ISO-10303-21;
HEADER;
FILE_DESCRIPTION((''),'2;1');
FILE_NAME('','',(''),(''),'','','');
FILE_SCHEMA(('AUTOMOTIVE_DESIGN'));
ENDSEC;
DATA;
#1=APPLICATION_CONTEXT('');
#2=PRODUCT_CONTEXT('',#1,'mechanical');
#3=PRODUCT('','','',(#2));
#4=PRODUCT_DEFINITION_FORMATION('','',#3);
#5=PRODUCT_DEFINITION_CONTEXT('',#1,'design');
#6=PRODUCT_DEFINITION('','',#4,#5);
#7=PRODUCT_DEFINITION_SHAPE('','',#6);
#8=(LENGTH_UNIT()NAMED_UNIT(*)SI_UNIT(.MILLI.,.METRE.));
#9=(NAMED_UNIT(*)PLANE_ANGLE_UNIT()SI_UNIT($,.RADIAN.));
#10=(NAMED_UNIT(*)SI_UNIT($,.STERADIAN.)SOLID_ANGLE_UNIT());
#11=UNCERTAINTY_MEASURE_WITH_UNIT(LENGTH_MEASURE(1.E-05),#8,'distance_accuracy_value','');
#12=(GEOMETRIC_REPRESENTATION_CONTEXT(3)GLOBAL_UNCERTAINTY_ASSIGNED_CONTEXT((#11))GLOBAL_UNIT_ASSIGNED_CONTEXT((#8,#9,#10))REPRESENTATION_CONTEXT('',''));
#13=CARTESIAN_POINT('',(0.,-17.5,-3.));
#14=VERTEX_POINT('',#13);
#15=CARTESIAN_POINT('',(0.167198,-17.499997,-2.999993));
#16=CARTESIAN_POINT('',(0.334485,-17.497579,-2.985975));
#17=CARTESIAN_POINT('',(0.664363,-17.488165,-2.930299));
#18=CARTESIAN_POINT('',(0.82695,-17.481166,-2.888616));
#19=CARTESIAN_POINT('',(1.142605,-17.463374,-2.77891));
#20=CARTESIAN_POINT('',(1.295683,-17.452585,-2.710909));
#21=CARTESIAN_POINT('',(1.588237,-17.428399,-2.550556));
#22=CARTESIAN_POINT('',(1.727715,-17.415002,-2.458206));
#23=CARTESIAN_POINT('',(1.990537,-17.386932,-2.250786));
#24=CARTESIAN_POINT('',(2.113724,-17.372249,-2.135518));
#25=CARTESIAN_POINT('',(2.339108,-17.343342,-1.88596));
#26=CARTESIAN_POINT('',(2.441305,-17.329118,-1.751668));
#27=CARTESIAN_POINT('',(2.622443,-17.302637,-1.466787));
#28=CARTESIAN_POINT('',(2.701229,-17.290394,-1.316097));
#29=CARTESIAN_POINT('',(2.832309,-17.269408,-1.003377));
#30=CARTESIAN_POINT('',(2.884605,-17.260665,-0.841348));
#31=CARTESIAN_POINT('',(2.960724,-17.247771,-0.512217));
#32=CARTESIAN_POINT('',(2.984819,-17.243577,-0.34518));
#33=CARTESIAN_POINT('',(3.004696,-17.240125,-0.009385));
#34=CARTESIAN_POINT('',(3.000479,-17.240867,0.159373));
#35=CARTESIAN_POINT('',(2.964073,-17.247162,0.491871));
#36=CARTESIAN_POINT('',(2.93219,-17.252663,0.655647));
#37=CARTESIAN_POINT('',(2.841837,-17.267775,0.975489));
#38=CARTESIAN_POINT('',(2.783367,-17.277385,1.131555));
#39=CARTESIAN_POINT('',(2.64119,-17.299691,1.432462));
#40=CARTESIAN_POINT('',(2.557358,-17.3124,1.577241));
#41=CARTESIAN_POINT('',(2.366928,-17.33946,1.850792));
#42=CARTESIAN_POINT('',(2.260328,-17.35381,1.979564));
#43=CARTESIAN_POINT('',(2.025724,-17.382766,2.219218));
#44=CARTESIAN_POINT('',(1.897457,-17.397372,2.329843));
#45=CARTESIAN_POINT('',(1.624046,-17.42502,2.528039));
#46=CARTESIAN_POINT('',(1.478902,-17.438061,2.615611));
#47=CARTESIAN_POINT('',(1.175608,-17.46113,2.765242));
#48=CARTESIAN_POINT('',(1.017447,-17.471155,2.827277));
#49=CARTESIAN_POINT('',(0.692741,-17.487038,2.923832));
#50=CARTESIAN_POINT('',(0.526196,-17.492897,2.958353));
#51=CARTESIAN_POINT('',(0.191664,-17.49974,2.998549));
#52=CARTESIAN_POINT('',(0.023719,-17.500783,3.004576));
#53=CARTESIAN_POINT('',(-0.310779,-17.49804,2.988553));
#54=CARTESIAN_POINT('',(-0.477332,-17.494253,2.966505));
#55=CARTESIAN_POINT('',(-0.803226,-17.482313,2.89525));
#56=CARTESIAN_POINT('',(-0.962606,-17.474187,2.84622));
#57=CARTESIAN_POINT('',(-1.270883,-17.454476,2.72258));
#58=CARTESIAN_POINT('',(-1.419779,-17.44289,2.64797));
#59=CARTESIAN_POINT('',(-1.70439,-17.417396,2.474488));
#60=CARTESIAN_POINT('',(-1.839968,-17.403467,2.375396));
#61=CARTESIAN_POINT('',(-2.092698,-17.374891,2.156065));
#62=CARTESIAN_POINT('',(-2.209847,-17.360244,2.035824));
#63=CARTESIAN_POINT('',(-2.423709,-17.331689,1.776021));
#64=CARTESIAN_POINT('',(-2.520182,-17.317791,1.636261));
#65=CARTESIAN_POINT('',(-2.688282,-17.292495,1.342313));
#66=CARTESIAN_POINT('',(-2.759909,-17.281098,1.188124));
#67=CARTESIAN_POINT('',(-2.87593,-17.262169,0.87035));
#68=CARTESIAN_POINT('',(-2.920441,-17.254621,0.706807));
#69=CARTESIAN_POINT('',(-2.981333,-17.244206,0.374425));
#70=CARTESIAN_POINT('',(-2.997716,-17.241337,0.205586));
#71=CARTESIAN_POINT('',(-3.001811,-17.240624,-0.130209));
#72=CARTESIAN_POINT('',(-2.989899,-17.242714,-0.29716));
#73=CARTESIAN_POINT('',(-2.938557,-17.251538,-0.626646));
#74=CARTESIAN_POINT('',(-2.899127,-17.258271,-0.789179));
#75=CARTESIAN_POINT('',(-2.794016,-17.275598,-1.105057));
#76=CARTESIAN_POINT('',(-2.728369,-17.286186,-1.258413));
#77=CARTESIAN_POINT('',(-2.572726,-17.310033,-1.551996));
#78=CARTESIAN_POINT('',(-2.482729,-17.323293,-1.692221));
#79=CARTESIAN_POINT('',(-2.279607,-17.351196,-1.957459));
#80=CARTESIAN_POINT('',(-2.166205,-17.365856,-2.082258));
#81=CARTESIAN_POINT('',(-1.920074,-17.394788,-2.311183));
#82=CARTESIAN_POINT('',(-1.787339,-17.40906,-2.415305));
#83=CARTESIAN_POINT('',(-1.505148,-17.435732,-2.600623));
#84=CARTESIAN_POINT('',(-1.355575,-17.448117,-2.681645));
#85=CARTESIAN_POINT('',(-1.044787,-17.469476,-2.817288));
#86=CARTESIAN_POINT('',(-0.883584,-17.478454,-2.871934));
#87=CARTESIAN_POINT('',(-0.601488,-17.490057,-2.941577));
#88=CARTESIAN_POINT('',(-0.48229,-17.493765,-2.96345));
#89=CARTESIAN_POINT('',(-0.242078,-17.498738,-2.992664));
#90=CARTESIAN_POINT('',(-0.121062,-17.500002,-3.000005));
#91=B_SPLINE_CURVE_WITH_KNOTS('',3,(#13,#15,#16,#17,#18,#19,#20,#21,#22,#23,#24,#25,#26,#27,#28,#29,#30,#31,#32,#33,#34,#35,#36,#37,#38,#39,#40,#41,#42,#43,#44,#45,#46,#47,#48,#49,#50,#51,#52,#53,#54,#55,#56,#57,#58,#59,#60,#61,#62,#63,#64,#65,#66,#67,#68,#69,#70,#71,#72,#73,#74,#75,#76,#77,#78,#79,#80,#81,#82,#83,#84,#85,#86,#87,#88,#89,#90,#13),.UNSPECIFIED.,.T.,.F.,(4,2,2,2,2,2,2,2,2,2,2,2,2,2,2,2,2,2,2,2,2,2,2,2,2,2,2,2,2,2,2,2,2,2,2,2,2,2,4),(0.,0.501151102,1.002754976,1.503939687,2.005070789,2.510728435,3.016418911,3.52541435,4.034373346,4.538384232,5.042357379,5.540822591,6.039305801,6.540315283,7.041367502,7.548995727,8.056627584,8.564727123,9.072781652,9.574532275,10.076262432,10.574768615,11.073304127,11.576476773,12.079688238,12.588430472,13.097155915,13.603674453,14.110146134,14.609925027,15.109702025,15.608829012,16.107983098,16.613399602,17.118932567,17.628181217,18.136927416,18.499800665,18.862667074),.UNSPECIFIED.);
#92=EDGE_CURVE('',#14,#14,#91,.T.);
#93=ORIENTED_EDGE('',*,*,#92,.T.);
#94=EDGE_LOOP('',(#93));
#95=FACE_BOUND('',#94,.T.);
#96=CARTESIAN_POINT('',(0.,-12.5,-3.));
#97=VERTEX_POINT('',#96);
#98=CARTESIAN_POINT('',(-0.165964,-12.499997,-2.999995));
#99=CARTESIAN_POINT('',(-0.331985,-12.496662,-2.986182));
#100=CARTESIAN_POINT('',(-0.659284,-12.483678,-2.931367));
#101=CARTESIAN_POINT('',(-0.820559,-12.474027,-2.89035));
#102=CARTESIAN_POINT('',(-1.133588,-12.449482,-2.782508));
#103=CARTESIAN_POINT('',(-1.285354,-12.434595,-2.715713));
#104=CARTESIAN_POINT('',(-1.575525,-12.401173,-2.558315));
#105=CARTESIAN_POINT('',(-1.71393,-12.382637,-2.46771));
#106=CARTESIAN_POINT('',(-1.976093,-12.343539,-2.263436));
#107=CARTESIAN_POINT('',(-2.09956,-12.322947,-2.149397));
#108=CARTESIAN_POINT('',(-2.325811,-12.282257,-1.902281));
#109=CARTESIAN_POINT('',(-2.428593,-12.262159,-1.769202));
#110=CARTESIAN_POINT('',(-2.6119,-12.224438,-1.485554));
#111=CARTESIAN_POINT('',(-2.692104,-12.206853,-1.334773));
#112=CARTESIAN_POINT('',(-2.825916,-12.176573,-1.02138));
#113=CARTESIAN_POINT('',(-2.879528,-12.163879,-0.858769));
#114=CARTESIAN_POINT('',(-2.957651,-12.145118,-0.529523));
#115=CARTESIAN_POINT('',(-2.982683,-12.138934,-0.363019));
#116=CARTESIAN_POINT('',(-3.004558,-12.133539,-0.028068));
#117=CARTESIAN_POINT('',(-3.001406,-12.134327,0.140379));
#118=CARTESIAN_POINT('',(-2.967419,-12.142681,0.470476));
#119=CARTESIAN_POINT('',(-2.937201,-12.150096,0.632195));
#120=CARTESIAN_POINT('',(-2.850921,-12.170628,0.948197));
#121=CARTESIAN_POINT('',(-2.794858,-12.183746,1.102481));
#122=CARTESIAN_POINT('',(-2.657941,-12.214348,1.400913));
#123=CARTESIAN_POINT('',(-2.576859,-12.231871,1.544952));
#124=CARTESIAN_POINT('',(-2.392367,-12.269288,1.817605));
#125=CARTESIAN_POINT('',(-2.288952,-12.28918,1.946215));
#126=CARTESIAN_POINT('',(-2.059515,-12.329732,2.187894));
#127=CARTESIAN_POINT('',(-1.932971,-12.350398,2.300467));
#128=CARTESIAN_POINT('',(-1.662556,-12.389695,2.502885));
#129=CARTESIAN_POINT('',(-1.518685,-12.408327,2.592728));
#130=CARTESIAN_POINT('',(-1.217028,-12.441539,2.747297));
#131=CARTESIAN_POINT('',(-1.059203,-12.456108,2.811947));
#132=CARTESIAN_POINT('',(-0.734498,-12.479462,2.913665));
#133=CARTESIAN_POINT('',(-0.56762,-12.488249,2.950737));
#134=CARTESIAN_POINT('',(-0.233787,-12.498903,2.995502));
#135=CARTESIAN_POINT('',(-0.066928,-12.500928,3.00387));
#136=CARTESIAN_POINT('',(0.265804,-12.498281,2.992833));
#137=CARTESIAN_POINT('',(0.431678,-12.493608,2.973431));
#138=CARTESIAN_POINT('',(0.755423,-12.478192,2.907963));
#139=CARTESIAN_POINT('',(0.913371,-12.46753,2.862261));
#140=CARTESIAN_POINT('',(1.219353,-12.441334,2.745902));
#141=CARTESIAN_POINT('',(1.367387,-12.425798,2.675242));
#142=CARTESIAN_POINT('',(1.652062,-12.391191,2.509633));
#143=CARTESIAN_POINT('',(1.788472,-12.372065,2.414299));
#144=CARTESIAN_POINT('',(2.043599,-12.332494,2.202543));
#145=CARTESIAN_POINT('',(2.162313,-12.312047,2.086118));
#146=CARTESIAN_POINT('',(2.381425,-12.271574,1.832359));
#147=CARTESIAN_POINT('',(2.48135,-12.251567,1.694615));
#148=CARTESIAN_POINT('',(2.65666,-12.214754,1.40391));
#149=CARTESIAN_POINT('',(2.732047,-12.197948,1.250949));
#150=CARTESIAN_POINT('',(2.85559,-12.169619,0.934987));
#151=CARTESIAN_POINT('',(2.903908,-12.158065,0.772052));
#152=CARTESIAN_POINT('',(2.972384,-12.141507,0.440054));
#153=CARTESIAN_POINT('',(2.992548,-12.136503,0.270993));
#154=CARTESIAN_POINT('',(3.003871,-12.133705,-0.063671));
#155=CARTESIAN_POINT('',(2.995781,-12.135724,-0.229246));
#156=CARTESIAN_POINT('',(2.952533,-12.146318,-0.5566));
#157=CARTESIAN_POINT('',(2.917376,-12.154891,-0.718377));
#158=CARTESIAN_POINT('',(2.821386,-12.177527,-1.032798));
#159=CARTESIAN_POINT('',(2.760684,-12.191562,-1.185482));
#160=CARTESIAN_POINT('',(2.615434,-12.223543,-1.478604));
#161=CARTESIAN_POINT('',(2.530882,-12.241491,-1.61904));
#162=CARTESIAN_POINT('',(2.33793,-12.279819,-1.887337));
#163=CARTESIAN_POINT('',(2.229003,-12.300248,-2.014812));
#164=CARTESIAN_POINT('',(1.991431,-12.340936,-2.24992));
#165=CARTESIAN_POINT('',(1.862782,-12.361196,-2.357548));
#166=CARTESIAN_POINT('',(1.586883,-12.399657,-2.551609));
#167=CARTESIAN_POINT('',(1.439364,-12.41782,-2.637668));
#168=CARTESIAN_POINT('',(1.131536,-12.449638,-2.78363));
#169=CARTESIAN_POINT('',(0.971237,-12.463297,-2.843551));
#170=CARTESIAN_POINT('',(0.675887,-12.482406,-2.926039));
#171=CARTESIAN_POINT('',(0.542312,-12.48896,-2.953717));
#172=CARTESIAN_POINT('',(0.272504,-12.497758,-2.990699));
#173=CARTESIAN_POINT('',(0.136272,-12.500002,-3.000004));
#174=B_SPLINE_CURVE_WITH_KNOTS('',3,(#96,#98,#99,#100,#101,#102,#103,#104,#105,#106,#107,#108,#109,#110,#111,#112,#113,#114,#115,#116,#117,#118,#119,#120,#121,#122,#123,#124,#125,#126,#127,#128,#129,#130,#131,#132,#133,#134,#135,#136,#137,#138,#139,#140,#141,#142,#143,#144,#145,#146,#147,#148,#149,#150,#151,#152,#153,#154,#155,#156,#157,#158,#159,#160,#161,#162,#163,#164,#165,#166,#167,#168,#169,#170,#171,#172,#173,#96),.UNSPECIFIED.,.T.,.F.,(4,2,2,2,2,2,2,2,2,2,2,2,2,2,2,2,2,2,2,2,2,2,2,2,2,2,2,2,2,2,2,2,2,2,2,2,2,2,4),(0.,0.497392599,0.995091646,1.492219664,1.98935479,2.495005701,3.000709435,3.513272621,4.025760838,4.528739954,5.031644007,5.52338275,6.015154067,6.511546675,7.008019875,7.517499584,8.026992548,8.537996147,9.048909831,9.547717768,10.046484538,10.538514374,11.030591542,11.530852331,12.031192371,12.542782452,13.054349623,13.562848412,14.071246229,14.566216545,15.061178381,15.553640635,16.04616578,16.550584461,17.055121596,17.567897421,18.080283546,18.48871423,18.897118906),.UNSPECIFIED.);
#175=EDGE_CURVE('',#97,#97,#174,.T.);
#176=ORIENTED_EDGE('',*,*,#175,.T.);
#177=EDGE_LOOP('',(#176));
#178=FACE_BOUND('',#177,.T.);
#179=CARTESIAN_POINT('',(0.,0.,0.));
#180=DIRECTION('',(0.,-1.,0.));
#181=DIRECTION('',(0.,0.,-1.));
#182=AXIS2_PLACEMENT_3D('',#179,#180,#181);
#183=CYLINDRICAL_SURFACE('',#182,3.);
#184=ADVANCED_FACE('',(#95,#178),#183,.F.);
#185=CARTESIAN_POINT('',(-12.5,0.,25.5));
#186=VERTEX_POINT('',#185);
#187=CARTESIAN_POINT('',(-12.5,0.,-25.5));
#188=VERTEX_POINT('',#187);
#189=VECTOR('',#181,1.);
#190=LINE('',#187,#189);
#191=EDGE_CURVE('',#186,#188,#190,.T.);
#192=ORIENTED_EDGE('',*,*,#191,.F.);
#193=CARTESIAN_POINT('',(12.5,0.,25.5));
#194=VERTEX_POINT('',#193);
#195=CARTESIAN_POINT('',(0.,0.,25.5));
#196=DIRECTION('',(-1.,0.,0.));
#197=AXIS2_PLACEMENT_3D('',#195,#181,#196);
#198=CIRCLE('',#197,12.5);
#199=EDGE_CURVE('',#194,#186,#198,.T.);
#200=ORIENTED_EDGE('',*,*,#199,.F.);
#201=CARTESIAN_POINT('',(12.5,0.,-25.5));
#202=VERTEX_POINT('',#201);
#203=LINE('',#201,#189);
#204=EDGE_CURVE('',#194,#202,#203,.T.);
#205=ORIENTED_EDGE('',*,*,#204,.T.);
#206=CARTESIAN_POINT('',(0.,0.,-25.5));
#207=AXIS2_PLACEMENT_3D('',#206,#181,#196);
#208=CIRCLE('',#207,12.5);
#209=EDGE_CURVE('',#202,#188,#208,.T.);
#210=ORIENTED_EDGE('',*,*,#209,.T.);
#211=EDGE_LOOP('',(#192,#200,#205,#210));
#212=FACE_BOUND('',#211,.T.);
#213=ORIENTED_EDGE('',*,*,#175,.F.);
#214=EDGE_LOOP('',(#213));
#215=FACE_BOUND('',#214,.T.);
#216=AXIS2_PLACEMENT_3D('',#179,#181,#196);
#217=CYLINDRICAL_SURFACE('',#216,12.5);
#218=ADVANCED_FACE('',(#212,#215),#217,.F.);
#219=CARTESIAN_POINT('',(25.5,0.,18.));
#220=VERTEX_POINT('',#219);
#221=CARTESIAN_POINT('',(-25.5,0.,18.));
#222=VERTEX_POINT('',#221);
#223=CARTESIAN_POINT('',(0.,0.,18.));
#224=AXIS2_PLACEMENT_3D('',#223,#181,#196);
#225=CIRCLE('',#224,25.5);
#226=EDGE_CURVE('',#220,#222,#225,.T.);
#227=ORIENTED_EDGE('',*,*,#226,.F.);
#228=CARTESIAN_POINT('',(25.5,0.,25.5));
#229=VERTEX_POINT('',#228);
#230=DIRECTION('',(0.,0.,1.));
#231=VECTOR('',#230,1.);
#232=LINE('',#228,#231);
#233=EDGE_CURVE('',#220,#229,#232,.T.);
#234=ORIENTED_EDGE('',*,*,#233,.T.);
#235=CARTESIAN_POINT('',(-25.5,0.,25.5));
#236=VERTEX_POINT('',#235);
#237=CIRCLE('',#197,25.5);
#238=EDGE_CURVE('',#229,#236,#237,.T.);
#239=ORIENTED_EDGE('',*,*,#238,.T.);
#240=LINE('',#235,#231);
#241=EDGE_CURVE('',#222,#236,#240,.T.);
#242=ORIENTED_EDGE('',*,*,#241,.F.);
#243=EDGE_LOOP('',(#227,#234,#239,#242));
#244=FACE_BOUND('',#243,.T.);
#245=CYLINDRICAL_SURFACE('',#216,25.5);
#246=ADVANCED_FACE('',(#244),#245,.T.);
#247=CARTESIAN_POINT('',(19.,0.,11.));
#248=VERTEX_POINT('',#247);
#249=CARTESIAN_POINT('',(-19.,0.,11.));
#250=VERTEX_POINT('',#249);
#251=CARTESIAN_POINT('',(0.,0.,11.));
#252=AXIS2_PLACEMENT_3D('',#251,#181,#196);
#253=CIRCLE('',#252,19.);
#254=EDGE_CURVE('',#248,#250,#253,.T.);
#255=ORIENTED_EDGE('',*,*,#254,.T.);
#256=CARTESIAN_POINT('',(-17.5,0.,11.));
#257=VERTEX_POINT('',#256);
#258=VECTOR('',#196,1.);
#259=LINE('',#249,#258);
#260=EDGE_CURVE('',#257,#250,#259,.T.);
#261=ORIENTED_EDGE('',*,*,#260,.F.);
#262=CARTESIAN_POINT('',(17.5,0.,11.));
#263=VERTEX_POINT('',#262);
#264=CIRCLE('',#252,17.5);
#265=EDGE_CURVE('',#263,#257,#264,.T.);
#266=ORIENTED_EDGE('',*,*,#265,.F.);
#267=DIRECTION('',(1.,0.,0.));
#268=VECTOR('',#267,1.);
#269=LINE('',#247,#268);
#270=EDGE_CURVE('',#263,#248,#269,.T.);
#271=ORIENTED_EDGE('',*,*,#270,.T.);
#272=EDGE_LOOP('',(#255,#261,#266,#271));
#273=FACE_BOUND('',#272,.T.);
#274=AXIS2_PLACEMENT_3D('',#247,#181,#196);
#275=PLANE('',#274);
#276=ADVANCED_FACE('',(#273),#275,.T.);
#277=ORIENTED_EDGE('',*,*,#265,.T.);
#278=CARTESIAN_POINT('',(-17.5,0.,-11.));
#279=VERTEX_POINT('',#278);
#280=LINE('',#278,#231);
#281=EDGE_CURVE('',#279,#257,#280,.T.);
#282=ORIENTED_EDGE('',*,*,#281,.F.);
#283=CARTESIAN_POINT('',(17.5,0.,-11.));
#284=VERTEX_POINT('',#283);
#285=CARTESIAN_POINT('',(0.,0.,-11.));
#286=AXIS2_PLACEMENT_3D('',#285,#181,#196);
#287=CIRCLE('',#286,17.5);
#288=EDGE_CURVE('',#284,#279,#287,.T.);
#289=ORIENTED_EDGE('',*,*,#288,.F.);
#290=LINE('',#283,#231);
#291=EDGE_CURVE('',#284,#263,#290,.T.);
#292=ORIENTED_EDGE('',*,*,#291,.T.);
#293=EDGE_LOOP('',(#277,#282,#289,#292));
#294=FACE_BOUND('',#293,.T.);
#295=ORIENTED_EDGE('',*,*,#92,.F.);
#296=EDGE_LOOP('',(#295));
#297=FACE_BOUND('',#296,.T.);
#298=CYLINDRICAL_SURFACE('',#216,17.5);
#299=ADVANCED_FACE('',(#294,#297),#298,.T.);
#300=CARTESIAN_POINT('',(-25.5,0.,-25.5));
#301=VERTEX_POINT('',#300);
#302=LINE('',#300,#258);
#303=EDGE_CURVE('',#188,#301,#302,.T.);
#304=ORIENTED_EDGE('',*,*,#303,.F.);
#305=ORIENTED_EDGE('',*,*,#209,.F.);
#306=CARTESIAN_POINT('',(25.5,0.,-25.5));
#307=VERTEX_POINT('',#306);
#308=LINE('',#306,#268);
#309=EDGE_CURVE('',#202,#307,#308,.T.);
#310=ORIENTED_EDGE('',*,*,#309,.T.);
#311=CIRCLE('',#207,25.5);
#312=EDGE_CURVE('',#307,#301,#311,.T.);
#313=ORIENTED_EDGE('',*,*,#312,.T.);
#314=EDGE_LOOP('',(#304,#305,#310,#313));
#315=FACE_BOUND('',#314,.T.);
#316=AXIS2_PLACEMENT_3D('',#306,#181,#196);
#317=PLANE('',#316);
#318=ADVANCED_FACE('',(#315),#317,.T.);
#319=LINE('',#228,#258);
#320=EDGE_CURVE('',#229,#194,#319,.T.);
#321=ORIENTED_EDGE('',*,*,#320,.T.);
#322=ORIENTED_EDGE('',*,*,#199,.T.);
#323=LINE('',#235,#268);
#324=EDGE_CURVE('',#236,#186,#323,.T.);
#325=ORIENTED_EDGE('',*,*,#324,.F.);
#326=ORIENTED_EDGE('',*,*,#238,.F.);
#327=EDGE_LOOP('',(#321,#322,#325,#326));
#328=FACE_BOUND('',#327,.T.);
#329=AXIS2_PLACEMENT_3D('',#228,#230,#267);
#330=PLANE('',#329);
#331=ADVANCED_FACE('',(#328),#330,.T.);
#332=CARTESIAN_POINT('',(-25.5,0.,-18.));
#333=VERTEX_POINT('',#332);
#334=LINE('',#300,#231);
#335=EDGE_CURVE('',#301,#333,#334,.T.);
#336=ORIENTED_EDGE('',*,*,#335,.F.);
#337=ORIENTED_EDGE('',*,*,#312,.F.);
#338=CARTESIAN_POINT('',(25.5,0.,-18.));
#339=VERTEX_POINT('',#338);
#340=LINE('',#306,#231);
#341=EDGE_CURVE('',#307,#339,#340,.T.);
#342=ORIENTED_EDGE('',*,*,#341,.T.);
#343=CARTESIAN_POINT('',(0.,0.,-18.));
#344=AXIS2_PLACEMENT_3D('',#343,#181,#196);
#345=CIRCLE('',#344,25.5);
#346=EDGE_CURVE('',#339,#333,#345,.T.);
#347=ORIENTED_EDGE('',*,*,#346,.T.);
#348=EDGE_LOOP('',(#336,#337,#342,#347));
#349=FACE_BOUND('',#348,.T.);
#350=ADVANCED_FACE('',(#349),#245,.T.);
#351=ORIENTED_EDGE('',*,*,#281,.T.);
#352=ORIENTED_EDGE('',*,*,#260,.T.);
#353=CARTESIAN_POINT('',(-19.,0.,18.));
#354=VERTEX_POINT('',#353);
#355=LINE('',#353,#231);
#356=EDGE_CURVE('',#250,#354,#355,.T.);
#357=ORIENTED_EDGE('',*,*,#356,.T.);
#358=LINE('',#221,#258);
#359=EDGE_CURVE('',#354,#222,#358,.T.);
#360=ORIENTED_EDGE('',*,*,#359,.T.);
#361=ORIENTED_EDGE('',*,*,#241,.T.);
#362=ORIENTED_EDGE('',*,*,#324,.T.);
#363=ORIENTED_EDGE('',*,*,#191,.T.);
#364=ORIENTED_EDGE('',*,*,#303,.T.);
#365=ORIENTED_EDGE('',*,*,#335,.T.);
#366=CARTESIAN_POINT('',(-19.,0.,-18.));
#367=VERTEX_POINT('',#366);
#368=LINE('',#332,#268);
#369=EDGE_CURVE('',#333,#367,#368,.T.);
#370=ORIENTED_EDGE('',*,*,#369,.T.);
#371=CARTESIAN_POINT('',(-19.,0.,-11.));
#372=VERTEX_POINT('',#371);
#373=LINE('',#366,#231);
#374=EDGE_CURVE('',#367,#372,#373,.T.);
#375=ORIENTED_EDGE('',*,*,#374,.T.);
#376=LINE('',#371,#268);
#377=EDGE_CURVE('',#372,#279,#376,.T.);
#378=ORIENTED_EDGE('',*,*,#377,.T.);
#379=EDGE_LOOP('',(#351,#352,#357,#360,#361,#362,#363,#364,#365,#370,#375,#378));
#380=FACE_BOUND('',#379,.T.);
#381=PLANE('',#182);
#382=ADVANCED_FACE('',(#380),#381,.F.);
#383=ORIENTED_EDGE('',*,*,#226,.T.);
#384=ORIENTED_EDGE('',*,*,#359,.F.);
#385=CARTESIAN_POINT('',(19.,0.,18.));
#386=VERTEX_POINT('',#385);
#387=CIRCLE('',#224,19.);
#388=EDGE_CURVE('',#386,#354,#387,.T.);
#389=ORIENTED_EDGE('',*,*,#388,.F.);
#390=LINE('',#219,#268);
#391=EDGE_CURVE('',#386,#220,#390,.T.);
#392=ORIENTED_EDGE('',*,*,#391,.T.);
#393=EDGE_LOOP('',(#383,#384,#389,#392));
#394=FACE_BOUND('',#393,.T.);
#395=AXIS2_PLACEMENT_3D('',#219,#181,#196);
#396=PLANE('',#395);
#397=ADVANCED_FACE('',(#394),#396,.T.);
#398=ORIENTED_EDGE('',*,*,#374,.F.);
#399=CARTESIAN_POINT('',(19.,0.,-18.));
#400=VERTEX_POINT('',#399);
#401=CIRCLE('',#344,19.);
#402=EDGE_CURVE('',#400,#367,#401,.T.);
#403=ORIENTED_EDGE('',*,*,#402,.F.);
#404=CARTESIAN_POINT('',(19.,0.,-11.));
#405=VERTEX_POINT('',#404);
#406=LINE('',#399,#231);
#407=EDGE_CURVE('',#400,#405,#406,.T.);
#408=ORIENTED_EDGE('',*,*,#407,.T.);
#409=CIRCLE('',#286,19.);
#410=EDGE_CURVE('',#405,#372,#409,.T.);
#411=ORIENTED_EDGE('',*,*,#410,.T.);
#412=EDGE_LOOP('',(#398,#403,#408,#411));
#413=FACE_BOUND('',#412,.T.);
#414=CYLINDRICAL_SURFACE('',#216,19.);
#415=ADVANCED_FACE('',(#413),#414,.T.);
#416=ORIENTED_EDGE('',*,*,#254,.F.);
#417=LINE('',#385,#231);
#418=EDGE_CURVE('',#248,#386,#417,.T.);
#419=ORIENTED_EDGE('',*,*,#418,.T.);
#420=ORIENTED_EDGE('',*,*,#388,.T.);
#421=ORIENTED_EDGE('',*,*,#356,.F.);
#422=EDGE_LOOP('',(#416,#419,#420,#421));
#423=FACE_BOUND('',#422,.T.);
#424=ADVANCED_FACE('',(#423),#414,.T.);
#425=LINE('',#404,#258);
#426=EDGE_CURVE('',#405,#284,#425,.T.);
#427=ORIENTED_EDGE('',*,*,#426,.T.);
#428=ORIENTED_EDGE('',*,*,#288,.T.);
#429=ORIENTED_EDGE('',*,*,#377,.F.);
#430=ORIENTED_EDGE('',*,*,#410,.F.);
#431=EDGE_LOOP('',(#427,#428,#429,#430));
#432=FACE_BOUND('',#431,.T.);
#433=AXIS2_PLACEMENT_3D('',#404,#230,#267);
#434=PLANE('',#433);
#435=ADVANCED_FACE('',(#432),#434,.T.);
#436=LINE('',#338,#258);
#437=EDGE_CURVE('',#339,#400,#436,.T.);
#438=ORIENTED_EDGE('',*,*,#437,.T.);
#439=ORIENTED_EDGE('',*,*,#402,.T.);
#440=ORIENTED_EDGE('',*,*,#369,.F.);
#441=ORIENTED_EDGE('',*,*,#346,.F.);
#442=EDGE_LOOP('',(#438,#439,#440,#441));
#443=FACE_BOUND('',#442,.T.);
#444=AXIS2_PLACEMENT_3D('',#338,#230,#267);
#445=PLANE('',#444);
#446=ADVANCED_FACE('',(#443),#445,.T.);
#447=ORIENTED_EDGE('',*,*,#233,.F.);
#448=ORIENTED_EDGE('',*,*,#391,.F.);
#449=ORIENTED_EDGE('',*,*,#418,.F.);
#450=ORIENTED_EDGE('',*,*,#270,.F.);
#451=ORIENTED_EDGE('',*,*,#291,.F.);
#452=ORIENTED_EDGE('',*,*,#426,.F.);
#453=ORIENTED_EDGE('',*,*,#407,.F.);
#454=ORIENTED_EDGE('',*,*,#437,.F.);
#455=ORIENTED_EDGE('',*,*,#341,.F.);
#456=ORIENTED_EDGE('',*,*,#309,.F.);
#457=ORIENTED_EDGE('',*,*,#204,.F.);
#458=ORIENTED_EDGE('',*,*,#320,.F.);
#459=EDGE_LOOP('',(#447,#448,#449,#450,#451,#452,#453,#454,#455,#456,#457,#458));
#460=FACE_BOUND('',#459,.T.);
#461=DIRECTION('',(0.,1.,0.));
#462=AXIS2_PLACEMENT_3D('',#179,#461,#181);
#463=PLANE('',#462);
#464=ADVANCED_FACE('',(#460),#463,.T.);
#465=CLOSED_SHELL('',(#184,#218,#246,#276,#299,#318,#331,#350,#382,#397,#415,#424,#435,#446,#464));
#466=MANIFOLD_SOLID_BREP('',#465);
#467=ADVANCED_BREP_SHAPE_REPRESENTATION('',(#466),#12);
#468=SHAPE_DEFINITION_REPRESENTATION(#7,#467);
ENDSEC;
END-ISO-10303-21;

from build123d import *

# Parameters (mm, degrees)
REVOLVE1_ANGLE     = 180
SKETCH2_R          = 3
CUT_EXTRUDE1_DEPTH = 18.5


with BuildPart() as part:
    # Sketch1 → Revolve1 (revolve)
    with BuildSketch(Plane(origin=(0, 0, 0), x_dir=(1, 0, 0), z_dir=(0, 1, 0))):
        Polygon((-25.5, 25.5), (-25.5, 18), (-19, 18), (-19, 11), (-17.5, 11), (-17.5, -11), (-19, -11), (-19, -18), (-25.5, -18), (-25.5, -25.5), (-12.5, -25.5), (-12.5, 25.5), align=None)
    revolve(axis=Axis((0, 0, 0), (0, 0, 1)), revolution_arc=REVOLVE1_ANGLE)

    # Sketch2 → Cut-Extrude1 (cut, through all)
    with BuildSketch(Plane(origin=(0, -17.5, 0), x_dir=(-1, 0, 0), z_dir=(0, -1, 0))):
        with Locations(Location((0, 0, 0), (0, 0, 90))):  # turned: the seam where the file's is
            Circle(SKETCH2_R)
    extrude(amount=-CUT_EXTRUDE1_DEPTH, mode=Mode.SUBTRACT)


solid = part.part
